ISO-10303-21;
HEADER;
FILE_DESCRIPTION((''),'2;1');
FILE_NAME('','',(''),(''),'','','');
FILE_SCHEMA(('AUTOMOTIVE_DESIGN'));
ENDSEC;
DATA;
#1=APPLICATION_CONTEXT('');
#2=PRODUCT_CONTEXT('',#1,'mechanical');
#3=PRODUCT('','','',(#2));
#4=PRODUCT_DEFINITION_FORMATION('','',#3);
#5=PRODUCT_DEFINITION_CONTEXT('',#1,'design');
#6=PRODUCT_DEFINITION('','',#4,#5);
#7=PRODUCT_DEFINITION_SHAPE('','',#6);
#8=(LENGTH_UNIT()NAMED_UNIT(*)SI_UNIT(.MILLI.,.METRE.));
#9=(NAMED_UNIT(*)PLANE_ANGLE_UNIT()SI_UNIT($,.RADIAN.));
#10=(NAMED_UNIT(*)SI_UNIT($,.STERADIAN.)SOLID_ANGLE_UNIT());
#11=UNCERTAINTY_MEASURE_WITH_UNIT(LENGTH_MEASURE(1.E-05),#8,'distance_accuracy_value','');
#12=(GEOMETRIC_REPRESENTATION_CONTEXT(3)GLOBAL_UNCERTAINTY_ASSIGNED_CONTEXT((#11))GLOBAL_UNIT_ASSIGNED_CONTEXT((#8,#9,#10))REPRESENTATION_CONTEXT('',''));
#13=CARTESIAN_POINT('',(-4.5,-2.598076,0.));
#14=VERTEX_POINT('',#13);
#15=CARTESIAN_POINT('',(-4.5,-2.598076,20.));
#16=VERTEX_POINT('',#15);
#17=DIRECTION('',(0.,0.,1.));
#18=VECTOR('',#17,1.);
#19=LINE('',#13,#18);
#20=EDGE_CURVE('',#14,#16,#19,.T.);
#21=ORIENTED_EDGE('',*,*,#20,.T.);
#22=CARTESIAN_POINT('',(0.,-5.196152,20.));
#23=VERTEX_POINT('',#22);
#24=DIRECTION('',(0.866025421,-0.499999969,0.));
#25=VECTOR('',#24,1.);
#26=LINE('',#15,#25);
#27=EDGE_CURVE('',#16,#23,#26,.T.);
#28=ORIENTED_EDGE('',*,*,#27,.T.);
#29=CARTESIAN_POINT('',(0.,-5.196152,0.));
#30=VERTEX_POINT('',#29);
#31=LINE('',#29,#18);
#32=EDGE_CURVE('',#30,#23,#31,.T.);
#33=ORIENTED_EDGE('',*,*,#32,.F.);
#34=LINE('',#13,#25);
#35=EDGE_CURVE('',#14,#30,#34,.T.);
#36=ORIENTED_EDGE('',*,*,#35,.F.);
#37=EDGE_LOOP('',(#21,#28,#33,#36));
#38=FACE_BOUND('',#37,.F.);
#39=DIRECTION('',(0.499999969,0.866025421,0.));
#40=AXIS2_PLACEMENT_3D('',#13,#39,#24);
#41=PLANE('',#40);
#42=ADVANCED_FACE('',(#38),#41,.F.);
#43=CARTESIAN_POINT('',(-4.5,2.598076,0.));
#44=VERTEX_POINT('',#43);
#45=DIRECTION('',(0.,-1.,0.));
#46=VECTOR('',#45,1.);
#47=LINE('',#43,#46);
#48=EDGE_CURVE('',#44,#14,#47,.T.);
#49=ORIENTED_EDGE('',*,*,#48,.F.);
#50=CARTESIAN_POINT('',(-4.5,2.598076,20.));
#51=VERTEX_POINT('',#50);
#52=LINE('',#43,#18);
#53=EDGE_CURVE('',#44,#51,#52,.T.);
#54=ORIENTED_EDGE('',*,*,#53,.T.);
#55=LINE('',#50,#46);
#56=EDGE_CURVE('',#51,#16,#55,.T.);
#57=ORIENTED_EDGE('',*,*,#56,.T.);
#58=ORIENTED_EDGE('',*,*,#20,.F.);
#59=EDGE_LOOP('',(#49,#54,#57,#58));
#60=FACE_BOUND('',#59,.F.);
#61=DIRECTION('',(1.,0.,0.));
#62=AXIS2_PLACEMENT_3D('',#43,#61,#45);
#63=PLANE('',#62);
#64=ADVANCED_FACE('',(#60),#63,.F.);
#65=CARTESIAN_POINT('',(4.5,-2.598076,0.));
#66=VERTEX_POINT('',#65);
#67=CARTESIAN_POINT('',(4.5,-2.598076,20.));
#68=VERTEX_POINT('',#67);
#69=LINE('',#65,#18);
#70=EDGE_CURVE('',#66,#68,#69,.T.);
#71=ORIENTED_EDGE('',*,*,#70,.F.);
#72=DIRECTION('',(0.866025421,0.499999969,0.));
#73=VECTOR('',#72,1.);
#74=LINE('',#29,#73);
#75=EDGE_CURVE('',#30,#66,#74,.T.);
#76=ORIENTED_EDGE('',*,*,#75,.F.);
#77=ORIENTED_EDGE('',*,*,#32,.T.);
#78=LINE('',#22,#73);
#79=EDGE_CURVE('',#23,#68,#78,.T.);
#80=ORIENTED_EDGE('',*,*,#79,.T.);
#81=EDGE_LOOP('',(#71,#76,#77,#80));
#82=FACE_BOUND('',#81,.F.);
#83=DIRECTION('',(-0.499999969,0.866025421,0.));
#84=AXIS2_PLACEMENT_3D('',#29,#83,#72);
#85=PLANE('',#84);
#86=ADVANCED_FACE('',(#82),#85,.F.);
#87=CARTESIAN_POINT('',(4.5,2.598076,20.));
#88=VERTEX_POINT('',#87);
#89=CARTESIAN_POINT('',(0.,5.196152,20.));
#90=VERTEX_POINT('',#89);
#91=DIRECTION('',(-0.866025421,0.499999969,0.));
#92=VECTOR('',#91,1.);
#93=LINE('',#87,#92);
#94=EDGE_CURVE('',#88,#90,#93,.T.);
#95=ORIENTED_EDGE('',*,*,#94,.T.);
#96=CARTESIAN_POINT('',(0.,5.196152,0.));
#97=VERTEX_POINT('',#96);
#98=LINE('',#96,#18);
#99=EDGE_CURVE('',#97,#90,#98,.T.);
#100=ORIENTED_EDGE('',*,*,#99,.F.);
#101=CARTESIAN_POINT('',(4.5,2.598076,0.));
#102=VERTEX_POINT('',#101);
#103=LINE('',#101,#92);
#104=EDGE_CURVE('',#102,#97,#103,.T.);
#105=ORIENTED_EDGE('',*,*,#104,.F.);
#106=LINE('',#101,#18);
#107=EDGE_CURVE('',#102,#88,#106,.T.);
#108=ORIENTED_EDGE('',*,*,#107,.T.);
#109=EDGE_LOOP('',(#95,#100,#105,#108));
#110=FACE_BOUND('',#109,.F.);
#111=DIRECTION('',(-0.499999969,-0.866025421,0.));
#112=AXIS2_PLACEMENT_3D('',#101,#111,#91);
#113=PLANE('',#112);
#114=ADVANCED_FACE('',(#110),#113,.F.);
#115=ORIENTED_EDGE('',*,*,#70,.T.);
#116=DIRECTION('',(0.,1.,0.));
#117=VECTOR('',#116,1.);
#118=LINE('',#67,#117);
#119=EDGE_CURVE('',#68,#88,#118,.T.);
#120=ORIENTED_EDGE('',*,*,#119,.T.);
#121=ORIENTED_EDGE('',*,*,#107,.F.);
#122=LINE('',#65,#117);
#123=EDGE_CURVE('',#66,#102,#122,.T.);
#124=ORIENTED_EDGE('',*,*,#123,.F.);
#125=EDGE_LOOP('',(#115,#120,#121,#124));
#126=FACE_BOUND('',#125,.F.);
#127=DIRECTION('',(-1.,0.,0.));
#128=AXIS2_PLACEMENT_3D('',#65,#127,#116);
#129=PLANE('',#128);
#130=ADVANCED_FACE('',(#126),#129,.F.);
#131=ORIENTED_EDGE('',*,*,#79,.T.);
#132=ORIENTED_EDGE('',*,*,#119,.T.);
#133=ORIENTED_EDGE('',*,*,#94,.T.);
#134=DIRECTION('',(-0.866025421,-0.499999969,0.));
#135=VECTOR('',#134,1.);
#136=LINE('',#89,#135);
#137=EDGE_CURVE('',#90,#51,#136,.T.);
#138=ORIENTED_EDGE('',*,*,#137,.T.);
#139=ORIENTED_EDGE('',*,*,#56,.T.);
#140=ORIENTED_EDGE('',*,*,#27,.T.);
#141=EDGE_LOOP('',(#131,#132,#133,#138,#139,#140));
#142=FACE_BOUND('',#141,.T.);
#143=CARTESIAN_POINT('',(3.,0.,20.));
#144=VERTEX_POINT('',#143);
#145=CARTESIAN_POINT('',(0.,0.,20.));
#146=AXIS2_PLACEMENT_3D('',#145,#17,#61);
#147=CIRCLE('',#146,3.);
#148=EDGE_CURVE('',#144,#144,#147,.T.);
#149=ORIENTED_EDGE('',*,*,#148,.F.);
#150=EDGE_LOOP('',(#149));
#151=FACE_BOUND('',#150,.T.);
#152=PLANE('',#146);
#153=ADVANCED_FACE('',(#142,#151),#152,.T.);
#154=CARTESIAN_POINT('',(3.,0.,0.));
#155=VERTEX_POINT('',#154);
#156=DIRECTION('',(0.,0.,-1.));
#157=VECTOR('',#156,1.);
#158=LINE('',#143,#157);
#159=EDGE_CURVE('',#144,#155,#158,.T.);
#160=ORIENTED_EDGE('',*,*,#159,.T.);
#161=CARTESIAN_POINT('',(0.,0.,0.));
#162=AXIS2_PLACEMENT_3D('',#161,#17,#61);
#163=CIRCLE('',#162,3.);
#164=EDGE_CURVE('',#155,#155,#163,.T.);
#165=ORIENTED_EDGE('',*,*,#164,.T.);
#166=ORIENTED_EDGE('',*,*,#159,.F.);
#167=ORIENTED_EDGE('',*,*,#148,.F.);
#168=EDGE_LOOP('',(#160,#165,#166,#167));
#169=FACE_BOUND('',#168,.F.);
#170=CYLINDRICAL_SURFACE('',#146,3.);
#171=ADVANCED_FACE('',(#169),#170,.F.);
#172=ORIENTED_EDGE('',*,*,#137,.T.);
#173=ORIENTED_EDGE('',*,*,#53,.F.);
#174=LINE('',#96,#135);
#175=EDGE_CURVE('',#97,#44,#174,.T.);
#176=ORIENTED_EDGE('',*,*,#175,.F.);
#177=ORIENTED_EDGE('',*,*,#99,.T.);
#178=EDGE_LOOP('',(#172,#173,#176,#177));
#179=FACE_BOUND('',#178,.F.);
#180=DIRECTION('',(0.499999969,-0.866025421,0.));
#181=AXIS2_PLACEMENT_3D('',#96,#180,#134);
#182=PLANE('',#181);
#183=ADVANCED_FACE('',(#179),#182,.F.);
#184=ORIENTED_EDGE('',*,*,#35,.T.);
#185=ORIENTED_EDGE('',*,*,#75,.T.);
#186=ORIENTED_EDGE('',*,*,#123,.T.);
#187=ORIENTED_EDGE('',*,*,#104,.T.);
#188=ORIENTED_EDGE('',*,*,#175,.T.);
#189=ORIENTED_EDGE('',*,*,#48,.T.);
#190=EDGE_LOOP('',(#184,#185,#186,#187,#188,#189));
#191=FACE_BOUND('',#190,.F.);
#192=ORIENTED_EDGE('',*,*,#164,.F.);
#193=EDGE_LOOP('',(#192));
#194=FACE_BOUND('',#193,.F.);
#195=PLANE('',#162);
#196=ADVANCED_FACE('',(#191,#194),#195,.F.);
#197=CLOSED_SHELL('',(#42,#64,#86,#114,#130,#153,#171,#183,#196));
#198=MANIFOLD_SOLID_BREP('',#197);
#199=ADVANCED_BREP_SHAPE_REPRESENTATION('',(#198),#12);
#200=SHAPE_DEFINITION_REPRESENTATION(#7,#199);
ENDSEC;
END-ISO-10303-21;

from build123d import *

# Parameters (mm, degrees)
F1_DEPTH = 20
F2_R     = 3
F3_DEPTH = 20


with BuildPart() as f1:
    # F0 (on Top) → F1 (new body)
    with BuildSketch(Plane.XY):
        Polygon((4.5, 2.598076), (0, 5.196152), (-4.5, 2.598076), (-4.5, -2.598076), (0, -5.196152), (4.5, -2.598076), align=None)
    extrude(amount=F1_DEPTH)

    # F2 (on face) → F3 (cut)
    with BuildSketch(Plane.XY.offset(20)):
        Circle(F2_R)
    extrude(amount=-F3_DEPTH, mode=Mode.SUBTRACT)


solid = f1.part
